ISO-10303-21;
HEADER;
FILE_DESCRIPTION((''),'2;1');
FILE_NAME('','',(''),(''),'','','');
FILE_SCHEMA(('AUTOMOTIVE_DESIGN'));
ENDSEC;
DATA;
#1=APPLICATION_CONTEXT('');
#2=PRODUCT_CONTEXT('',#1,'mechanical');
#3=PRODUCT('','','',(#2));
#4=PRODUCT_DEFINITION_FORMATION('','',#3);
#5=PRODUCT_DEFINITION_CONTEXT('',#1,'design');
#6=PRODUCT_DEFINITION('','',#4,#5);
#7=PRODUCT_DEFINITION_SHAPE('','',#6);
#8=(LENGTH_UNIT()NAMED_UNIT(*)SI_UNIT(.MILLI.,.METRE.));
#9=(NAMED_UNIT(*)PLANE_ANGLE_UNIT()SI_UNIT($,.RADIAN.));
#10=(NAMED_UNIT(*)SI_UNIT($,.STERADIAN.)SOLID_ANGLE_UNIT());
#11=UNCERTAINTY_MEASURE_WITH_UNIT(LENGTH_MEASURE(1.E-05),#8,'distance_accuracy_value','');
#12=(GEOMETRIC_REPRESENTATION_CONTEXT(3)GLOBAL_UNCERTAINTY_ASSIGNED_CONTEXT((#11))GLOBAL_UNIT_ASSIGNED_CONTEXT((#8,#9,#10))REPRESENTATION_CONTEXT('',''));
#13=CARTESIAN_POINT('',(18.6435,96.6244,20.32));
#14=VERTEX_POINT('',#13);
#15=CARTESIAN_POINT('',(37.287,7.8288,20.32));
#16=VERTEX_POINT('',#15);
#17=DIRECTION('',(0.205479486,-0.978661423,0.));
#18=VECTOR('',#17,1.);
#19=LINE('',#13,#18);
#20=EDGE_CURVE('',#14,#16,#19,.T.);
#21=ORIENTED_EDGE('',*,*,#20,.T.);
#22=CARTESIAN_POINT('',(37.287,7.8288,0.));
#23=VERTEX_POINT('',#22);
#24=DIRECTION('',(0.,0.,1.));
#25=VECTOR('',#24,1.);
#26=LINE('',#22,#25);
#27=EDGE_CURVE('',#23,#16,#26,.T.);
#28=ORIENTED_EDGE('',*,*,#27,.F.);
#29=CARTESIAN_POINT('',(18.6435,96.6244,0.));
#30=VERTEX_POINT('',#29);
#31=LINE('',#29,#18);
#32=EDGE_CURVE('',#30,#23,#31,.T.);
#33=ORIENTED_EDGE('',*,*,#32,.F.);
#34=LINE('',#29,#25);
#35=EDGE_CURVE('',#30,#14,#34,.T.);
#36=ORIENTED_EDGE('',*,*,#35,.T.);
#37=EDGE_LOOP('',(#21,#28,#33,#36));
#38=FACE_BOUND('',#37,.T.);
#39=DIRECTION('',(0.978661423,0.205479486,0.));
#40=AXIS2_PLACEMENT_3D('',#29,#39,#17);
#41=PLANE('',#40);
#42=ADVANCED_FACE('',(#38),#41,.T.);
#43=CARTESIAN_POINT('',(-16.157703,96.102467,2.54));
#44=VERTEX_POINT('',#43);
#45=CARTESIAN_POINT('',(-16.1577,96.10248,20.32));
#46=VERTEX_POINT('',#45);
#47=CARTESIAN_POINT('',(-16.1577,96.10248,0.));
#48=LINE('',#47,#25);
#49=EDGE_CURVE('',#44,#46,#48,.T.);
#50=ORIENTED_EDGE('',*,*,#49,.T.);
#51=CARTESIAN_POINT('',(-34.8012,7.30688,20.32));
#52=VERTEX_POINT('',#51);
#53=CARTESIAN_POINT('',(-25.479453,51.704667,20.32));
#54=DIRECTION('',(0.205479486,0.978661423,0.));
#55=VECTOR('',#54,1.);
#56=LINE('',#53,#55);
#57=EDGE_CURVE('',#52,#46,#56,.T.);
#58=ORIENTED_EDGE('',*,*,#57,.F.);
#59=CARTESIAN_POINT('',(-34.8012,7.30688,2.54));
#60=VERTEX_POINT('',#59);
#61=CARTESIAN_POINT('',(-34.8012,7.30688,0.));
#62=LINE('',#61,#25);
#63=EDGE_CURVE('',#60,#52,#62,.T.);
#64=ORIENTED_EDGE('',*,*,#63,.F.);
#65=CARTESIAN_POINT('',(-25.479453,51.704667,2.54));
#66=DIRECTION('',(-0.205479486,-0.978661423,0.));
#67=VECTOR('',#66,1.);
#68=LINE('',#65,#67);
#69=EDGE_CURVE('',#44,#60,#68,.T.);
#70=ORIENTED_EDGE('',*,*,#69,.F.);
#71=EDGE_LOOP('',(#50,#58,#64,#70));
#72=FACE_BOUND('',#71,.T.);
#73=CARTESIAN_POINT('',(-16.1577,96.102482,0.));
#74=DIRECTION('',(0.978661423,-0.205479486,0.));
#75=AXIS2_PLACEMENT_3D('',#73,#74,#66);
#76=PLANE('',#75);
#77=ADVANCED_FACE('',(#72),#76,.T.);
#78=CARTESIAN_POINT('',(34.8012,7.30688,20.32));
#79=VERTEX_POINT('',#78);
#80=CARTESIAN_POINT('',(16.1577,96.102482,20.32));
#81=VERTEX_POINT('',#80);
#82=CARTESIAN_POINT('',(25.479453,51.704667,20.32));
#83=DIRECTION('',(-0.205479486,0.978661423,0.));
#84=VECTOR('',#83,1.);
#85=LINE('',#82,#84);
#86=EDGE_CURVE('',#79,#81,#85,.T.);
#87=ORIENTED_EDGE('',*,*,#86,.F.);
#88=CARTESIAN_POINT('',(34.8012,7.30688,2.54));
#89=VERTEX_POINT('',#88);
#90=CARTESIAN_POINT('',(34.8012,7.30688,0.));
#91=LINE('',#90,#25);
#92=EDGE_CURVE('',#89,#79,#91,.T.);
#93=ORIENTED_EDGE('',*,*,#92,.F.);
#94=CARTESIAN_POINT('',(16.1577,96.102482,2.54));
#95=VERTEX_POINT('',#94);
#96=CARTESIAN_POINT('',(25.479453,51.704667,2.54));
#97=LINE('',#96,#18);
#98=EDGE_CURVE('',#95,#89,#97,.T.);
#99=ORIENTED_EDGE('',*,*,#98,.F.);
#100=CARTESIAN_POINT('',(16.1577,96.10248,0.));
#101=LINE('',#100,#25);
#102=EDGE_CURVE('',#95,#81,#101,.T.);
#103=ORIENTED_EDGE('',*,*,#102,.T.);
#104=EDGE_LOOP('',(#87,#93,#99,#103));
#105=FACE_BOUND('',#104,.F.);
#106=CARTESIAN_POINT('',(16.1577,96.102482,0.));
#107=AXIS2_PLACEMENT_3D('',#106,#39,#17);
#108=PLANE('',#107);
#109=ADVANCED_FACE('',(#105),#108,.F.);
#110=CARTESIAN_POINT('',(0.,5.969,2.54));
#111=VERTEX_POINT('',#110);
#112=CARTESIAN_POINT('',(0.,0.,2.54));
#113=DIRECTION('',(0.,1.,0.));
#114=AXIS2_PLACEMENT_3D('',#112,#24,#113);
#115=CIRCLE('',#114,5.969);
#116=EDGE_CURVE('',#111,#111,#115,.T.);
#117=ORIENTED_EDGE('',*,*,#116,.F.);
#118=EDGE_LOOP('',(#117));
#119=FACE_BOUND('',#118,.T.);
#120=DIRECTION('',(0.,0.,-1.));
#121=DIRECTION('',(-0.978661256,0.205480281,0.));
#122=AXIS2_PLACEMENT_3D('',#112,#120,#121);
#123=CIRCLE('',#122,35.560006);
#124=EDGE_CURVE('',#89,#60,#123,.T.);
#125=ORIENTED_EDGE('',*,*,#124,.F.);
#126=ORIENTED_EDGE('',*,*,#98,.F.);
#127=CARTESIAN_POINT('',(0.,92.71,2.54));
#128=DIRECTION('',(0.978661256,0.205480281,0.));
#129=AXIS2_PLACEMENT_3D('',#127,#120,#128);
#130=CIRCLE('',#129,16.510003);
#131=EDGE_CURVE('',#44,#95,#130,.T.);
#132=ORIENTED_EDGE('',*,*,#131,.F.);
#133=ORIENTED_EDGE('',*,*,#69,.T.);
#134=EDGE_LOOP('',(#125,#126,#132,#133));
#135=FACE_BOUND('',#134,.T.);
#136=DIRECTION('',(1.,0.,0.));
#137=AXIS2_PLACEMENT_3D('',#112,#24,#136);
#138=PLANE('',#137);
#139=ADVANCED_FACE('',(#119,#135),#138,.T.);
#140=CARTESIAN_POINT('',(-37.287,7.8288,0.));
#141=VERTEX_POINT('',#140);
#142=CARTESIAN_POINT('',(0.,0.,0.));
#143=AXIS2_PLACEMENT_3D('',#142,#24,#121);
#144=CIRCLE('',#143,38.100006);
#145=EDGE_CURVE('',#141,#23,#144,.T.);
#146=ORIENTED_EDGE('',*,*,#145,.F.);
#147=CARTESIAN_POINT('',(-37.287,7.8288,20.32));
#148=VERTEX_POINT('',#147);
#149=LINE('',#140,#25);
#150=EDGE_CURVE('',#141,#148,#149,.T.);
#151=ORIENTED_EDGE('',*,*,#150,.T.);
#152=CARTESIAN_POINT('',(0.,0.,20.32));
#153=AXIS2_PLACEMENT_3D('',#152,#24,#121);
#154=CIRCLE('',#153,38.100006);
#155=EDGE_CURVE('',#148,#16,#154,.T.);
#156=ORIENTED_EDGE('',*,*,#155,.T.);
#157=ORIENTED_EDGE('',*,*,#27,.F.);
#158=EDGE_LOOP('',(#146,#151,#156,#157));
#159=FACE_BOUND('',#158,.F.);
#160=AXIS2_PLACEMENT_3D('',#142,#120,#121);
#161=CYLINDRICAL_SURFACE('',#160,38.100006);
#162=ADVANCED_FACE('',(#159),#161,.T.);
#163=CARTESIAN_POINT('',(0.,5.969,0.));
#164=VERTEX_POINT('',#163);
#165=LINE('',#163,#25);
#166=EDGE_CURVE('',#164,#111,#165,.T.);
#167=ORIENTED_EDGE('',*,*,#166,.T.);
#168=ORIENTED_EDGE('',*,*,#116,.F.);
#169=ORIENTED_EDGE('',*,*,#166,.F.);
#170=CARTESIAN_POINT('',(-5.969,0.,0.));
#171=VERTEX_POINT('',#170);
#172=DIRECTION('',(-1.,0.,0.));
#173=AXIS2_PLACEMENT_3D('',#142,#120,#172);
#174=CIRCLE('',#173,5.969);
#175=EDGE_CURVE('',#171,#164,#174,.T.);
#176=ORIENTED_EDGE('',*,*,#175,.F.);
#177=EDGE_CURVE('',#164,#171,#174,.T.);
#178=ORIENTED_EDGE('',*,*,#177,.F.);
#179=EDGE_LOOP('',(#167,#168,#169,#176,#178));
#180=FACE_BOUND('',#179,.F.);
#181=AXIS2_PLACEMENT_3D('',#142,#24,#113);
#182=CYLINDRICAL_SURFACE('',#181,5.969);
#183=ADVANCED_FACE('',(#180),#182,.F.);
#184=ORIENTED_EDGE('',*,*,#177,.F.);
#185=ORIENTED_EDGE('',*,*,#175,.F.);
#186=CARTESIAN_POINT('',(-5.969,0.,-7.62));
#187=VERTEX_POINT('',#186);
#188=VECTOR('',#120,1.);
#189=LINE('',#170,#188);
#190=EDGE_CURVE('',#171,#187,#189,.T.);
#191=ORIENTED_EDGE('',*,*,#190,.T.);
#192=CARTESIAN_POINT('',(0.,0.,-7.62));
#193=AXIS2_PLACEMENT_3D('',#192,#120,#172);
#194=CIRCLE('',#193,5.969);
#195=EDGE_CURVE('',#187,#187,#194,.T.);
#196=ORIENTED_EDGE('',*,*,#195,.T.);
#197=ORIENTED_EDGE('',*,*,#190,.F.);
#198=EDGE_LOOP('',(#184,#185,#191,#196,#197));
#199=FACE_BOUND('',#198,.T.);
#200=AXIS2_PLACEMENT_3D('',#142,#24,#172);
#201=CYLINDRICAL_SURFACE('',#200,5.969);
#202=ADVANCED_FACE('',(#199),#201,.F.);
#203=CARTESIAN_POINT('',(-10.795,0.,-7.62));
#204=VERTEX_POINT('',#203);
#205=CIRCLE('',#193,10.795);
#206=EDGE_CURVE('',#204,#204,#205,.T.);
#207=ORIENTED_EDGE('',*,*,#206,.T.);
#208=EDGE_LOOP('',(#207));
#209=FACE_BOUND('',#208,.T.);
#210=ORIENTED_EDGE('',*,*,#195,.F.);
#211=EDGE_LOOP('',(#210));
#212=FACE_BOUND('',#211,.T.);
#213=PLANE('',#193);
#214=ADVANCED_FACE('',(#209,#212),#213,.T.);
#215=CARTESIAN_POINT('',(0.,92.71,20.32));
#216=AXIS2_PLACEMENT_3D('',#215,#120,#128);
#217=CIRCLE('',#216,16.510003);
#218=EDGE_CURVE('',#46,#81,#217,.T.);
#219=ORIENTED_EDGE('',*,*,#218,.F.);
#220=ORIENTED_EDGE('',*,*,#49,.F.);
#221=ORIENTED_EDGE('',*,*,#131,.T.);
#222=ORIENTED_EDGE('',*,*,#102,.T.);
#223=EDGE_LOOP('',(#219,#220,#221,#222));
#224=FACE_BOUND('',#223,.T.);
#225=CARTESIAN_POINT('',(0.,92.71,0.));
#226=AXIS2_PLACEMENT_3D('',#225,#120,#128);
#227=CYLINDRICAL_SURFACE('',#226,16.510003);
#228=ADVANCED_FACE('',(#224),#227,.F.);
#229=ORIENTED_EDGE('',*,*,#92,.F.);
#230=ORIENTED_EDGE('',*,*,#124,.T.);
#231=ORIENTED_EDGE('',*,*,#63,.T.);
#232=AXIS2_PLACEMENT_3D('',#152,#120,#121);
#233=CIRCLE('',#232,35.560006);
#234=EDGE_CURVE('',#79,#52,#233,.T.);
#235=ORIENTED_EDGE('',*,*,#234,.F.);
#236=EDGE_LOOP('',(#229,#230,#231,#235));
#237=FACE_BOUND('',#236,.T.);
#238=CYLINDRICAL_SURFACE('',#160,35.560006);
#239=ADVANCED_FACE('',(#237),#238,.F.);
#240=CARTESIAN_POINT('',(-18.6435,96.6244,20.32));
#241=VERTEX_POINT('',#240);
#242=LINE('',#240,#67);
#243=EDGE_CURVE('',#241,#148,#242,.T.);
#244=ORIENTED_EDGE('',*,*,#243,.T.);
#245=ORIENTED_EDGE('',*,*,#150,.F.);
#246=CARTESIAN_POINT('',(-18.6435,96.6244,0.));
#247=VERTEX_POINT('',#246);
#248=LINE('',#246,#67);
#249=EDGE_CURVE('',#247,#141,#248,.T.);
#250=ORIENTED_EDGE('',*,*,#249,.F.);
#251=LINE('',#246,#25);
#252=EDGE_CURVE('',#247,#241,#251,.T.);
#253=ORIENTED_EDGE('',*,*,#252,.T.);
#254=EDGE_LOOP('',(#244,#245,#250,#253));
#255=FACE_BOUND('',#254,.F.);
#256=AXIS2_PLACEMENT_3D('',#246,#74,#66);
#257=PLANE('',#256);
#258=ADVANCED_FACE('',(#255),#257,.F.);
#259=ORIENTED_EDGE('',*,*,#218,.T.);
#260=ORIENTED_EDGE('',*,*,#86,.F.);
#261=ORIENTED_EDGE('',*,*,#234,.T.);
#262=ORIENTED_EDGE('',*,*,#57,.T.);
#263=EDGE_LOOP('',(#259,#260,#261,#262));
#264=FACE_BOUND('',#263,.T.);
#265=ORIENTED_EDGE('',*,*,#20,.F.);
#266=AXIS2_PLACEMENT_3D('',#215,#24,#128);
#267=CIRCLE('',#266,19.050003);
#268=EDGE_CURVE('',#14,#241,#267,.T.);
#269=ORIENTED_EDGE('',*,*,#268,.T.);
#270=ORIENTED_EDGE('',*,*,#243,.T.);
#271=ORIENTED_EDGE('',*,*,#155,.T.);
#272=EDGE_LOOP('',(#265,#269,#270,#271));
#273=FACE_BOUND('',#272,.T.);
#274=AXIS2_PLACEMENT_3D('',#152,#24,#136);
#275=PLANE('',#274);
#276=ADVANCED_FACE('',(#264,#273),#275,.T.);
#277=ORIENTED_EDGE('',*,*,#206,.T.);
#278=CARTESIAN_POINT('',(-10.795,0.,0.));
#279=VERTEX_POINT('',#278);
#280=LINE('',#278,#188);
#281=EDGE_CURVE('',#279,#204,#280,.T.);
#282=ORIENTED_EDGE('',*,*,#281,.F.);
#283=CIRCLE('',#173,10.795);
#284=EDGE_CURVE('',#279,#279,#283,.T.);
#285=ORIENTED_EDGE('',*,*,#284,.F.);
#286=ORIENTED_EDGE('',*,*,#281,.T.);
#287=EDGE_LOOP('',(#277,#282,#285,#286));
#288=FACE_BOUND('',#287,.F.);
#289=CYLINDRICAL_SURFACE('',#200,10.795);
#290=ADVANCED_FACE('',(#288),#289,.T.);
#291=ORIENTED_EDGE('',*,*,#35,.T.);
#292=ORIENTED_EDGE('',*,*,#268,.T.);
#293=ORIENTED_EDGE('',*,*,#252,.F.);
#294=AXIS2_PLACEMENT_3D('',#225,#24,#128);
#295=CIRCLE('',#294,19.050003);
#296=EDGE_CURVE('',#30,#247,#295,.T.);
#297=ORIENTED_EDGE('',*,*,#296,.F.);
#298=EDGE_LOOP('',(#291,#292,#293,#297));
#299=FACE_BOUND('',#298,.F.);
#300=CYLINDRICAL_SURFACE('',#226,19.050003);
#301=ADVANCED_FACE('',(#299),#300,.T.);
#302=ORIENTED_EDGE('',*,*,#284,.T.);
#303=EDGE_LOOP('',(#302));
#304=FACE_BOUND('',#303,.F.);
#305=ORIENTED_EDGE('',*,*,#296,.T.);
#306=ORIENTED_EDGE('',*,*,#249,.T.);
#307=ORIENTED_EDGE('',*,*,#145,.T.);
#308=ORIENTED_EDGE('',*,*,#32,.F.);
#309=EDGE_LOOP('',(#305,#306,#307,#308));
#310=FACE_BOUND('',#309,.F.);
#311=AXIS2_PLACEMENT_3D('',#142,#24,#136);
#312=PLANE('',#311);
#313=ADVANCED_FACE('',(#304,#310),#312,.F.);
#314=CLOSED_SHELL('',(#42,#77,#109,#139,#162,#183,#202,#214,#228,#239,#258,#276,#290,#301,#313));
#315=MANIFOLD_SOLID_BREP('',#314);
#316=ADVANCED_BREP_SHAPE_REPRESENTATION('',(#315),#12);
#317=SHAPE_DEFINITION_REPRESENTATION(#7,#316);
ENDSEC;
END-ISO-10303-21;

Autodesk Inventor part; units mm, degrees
ref_plane "YZ Plane" through (0, 0, 0) normal (1, 0, 0) x (0, 1, 0)
ref_plane "XZ Plane" through (0, 0, 0) normal (0, 1, 0) x (-1, 0, 0)
ref_plane "XY Plane" through (0, 0, 0) normal (0, 0, 1) x (1, 0, 0)
sketch "Sketch1" plane through (0, 0, 0) normal (0, 0, 1) x (1, 0, 0)
  arc A0 (-37.287, 7.8288) -> (37.287, 7.8288) centre (0, 0) ccw
  arc A1 (18.6435, 96.6244) -> (-18.6435, 96.6244) centre (0, 92.71) ccw
  line L0 (-18.6435, 96.6244) -> (-37.287, 7.8288)
  line L1 (18.6435, 96.6244) -> (37.287, 7.8288)
  dimension "d0" = 76.2
  dimension "d1" = 38.1
  dimension "d2" = 149.86
extrude "Extrusion1" add sketch "Sketch1" along normal blind 20.32
shell "Shell1" thickness 2.54 removed faces 1 at (-6.2145, 37.4273, 20.32)
sketch "Sketch2" plane through (0, 0, 0) normal (0, 0, -1) x (-1, 0, 0)
  circle A0 centre (0, 0) radius 5.969
  arc A1 (-37.287, 7.8288) -> (37.287, 7.8288) centre (0, 0) ccw projected
  circle A2 centre (0, 0) radius 10.795
  dimension "d6" = 11.938
  dimension "d7" = 21.59
extrude "Extrusion2" add sketch "Sketch2" along normal blind 7.62
hole "Hole1" at (0, 0, 0) direction (0, 0, 1) diameter 11.938 end through all
properties part number "ChainGuard"
